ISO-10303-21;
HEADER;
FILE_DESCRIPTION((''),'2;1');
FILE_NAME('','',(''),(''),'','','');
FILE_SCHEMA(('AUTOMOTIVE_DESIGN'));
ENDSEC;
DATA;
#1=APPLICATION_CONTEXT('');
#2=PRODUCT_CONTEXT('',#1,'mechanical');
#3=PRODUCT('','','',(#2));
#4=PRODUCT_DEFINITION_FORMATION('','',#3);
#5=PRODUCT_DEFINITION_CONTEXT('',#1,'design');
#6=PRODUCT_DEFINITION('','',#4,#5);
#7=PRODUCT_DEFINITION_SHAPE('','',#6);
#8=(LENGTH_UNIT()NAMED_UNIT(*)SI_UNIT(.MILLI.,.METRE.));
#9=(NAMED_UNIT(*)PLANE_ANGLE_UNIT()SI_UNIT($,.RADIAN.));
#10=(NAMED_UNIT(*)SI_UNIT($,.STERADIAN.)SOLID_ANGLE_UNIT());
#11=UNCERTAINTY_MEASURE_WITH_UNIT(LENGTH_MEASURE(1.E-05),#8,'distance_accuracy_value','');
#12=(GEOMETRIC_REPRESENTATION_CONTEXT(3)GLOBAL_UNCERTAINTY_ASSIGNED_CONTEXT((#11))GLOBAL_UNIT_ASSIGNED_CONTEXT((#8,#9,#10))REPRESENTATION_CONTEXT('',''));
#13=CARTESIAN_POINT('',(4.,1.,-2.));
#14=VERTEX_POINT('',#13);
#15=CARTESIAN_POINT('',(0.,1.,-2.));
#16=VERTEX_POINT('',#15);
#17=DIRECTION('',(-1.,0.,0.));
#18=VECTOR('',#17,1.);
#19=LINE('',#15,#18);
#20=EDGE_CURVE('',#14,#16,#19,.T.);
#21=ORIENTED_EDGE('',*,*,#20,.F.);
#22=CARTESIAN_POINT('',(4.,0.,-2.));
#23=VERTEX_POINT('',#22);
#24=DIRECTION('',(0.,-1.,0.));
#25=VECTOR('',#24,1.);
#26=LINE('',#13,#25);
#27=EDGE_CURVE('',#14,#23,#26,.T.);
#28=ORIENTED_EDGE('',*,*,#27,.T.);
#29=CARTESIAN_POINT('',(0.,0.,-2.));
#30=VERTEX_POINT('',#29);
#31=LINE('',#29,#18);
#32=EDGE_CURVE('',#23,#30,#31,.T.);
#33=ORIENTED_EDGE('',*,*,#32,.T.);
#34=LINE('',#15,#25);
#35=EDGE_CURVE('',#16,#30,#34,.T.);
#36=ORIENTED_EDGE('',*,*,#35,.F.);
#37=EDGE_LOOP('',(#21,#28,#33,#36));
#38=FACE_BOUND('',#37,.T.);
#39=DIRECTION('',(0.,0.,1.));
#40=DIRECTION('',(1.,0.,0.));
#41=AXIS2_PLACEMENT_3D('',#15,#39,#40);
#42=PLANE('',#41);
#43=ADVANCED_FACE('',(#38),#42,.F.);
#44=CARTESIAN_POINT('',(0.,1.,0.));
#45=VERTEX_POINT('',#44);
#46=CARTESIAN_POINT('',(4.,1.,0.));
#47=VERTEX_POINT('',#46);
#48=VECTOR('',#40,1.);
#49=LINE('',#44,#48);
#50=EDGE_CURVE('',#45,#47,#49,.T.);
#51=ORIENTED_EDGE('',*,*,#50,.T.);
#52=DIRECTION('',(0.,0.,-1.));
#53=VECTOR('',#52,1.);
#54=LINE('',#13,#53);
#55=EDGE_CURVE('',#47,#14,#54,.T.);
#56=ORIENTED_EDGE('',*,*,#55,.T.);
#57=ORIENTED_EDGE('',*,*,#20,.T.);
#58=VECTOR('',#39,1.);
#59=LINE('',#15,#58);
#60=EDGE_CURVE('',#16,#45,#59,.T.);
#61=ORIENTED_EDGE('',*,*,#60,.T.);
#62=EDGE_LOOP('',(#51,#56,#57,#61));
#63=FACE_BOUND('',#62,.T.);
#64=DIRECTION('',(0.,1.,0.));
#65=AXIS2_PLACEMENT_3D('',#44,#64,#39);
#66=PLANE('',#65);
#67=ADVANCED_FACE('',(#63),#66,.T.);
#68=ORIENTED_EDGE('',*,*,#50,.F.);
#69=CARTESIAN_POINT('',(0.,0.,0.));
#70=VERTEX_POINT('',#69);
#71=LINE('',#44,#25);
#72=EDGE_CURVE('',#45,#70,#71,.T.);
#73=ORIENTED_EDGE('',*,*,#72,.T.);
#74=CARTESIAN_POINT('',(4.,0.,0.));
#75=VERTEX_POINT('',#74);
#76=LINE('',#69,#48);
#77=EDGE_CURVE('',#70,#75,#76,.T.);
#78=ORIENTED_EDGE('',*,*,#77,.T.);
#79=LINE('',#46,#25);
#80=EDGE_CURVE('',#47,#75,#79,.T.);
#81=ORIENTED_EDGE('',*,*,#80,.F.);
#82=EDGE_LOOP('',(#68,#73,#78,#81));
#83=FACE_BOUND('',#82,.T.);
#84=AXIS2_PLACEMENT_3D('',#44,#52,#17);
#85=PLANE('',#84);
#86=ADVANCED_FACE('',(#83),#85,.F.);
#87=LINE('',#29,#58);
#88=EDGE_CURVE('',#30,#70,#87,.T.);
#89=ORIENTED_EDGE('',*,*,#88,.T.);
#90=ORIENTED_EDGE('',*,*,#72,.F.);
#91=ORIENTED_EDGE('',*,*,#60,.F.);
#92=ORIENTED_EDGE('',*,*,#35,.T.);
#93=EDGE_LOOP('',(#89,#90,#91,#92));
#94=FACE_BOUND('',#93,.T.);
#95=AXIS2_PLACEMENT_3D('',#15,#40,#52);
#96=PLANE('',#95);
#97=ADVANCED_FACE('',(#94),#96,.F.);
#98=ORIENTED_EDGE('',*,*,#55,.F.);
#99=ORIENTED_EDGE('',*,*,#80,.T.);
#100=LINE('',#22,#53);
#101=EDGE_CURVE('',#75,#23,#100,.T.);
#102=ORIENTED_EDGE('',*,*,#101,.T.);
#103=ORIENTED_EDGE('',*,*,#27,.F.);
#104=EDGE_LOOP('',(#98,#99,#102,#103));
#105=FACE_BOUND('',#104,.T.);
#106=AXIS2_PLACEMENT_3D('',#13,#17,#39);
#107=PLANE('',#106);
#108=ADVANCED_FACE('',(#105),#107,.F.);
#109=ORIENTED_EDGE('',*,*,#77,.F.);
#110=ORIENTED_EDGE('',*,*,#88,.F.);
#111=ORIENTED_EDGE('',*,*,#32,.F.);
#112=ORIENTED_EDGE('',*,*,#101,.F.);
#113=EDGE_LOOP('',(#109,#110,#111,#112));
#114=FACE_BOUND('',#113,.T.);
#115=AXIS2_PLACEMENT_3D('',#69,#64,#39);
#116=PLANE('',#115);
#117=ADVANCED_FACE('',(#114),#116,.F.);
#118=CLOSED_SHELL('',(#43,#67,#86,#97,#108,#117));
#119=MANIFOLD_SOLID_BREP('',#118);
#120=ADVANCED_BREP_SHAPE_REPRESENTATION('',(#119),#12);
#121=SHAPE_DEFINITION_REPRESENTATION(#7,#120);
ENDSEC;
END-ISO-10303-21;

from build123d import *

# Parameters (mm, degrees)
SKETCH1_W           = 4
SKETCH1_H           = 2
BOSS_EXTRUDE1_DEPTH = 1


with BuildPart() as part:
    # Sketch1 → Boss-Extrude1 (new body)
    with BuildSketch(Plane(origin=(0, 0, 0), x_dir=(1, 0, 0), z_dir=(0, 1, 0))):
        with Locations((2, 1)):
            Rectangle(SKETCH1_W, SKETCH1_H)
    extrude(amount=BOSS_EXTRUDE1_DEPTH)


solid = part.part
